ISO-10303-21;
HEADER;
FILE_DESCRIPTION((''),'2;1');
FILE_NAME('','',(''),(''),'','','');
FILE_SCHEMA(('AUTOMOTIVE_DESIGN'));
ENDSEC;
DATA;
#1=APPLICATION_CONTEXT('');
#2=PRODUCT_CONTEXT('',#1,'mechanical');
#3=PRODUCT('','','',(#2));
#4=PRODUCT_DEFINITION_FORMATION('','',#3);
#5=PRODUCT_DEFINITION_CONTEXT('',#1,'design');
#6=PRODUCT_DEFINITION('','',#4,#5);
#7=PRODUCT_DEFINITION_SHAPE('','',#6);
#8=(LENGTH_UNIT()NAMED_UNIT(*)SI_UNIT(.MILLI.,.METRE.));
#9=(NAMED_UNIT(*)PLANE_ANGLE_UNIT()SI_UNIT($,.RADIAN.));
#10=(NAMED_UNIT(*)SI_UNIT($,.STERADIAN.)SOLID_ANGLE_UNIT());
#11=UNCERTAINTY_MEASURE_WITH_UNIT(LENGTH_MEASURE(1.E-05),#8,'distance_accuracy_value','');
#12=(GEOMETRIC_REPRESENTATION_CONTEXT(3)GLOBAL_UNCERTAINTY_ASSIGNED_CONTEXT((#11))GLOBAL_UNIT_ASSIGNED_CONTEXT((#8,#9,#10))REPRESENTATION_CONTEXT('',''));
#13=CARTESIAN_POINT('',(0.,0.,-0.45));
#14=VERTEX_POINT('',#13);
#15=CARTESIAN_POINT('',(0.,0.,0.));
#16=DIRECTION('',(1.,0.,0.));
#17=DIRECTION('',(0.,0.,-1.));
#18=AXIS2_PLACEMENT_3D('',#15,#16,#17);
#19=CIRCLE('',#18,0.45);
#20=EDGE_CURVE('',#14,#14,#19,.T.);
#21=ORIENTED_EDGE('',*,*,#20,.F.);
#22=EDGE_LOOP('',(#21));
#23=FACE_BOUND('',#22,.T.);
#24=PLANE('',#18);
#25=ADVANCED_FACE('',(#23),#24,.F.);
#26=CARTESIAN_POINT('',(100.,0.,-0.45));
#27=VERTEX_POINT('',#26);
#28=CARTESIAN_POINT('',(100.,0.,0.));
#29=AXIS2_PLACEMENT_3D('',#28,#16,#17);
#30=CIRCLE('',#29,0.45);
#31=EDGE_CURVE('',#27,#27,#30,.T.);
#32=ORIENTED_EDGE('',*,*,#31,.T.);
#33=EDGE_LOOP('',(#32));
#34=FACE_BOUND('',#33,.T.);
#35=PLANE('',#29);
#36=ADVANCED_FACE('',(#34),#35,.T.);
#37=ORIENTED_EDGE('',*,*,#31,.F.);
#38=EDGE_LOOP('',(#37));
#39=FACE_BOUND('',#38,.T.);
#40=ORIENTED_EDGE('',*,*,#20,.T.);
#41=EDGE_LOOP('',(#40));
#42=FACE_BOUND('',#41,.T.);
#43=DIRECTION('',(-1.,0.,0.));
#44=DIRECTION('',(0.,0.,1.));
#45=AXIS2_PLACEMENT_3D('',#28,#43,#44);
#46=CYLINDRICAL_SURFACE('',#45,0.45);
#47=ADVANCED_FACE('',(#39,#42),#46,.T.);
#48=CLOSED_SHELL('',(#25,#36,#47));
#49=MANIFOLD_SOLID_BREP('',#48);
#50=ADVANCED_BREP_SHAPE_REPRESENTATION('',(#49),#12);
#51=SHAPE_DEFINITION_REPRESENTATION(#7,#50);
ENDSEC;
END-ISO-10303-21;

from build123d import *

# Parameters (mm, degrees)
SKETCH12_R          = 0.45
BOSS_EXTRUDE9_DEPTH = 100


with BuildPart() as part:
    # Sketch12 → Boss-Extrude9 (new body)
    with BuildSketch(Plane(origin=(0, 0, 0), x_dir=(0, 0, -1), z_dir=(1, 0, 0))):
        Circle(SKETCH12_R)
    extrude(amount=BOSS_EXTRUDE9_DEPTH)


solid = part.part
